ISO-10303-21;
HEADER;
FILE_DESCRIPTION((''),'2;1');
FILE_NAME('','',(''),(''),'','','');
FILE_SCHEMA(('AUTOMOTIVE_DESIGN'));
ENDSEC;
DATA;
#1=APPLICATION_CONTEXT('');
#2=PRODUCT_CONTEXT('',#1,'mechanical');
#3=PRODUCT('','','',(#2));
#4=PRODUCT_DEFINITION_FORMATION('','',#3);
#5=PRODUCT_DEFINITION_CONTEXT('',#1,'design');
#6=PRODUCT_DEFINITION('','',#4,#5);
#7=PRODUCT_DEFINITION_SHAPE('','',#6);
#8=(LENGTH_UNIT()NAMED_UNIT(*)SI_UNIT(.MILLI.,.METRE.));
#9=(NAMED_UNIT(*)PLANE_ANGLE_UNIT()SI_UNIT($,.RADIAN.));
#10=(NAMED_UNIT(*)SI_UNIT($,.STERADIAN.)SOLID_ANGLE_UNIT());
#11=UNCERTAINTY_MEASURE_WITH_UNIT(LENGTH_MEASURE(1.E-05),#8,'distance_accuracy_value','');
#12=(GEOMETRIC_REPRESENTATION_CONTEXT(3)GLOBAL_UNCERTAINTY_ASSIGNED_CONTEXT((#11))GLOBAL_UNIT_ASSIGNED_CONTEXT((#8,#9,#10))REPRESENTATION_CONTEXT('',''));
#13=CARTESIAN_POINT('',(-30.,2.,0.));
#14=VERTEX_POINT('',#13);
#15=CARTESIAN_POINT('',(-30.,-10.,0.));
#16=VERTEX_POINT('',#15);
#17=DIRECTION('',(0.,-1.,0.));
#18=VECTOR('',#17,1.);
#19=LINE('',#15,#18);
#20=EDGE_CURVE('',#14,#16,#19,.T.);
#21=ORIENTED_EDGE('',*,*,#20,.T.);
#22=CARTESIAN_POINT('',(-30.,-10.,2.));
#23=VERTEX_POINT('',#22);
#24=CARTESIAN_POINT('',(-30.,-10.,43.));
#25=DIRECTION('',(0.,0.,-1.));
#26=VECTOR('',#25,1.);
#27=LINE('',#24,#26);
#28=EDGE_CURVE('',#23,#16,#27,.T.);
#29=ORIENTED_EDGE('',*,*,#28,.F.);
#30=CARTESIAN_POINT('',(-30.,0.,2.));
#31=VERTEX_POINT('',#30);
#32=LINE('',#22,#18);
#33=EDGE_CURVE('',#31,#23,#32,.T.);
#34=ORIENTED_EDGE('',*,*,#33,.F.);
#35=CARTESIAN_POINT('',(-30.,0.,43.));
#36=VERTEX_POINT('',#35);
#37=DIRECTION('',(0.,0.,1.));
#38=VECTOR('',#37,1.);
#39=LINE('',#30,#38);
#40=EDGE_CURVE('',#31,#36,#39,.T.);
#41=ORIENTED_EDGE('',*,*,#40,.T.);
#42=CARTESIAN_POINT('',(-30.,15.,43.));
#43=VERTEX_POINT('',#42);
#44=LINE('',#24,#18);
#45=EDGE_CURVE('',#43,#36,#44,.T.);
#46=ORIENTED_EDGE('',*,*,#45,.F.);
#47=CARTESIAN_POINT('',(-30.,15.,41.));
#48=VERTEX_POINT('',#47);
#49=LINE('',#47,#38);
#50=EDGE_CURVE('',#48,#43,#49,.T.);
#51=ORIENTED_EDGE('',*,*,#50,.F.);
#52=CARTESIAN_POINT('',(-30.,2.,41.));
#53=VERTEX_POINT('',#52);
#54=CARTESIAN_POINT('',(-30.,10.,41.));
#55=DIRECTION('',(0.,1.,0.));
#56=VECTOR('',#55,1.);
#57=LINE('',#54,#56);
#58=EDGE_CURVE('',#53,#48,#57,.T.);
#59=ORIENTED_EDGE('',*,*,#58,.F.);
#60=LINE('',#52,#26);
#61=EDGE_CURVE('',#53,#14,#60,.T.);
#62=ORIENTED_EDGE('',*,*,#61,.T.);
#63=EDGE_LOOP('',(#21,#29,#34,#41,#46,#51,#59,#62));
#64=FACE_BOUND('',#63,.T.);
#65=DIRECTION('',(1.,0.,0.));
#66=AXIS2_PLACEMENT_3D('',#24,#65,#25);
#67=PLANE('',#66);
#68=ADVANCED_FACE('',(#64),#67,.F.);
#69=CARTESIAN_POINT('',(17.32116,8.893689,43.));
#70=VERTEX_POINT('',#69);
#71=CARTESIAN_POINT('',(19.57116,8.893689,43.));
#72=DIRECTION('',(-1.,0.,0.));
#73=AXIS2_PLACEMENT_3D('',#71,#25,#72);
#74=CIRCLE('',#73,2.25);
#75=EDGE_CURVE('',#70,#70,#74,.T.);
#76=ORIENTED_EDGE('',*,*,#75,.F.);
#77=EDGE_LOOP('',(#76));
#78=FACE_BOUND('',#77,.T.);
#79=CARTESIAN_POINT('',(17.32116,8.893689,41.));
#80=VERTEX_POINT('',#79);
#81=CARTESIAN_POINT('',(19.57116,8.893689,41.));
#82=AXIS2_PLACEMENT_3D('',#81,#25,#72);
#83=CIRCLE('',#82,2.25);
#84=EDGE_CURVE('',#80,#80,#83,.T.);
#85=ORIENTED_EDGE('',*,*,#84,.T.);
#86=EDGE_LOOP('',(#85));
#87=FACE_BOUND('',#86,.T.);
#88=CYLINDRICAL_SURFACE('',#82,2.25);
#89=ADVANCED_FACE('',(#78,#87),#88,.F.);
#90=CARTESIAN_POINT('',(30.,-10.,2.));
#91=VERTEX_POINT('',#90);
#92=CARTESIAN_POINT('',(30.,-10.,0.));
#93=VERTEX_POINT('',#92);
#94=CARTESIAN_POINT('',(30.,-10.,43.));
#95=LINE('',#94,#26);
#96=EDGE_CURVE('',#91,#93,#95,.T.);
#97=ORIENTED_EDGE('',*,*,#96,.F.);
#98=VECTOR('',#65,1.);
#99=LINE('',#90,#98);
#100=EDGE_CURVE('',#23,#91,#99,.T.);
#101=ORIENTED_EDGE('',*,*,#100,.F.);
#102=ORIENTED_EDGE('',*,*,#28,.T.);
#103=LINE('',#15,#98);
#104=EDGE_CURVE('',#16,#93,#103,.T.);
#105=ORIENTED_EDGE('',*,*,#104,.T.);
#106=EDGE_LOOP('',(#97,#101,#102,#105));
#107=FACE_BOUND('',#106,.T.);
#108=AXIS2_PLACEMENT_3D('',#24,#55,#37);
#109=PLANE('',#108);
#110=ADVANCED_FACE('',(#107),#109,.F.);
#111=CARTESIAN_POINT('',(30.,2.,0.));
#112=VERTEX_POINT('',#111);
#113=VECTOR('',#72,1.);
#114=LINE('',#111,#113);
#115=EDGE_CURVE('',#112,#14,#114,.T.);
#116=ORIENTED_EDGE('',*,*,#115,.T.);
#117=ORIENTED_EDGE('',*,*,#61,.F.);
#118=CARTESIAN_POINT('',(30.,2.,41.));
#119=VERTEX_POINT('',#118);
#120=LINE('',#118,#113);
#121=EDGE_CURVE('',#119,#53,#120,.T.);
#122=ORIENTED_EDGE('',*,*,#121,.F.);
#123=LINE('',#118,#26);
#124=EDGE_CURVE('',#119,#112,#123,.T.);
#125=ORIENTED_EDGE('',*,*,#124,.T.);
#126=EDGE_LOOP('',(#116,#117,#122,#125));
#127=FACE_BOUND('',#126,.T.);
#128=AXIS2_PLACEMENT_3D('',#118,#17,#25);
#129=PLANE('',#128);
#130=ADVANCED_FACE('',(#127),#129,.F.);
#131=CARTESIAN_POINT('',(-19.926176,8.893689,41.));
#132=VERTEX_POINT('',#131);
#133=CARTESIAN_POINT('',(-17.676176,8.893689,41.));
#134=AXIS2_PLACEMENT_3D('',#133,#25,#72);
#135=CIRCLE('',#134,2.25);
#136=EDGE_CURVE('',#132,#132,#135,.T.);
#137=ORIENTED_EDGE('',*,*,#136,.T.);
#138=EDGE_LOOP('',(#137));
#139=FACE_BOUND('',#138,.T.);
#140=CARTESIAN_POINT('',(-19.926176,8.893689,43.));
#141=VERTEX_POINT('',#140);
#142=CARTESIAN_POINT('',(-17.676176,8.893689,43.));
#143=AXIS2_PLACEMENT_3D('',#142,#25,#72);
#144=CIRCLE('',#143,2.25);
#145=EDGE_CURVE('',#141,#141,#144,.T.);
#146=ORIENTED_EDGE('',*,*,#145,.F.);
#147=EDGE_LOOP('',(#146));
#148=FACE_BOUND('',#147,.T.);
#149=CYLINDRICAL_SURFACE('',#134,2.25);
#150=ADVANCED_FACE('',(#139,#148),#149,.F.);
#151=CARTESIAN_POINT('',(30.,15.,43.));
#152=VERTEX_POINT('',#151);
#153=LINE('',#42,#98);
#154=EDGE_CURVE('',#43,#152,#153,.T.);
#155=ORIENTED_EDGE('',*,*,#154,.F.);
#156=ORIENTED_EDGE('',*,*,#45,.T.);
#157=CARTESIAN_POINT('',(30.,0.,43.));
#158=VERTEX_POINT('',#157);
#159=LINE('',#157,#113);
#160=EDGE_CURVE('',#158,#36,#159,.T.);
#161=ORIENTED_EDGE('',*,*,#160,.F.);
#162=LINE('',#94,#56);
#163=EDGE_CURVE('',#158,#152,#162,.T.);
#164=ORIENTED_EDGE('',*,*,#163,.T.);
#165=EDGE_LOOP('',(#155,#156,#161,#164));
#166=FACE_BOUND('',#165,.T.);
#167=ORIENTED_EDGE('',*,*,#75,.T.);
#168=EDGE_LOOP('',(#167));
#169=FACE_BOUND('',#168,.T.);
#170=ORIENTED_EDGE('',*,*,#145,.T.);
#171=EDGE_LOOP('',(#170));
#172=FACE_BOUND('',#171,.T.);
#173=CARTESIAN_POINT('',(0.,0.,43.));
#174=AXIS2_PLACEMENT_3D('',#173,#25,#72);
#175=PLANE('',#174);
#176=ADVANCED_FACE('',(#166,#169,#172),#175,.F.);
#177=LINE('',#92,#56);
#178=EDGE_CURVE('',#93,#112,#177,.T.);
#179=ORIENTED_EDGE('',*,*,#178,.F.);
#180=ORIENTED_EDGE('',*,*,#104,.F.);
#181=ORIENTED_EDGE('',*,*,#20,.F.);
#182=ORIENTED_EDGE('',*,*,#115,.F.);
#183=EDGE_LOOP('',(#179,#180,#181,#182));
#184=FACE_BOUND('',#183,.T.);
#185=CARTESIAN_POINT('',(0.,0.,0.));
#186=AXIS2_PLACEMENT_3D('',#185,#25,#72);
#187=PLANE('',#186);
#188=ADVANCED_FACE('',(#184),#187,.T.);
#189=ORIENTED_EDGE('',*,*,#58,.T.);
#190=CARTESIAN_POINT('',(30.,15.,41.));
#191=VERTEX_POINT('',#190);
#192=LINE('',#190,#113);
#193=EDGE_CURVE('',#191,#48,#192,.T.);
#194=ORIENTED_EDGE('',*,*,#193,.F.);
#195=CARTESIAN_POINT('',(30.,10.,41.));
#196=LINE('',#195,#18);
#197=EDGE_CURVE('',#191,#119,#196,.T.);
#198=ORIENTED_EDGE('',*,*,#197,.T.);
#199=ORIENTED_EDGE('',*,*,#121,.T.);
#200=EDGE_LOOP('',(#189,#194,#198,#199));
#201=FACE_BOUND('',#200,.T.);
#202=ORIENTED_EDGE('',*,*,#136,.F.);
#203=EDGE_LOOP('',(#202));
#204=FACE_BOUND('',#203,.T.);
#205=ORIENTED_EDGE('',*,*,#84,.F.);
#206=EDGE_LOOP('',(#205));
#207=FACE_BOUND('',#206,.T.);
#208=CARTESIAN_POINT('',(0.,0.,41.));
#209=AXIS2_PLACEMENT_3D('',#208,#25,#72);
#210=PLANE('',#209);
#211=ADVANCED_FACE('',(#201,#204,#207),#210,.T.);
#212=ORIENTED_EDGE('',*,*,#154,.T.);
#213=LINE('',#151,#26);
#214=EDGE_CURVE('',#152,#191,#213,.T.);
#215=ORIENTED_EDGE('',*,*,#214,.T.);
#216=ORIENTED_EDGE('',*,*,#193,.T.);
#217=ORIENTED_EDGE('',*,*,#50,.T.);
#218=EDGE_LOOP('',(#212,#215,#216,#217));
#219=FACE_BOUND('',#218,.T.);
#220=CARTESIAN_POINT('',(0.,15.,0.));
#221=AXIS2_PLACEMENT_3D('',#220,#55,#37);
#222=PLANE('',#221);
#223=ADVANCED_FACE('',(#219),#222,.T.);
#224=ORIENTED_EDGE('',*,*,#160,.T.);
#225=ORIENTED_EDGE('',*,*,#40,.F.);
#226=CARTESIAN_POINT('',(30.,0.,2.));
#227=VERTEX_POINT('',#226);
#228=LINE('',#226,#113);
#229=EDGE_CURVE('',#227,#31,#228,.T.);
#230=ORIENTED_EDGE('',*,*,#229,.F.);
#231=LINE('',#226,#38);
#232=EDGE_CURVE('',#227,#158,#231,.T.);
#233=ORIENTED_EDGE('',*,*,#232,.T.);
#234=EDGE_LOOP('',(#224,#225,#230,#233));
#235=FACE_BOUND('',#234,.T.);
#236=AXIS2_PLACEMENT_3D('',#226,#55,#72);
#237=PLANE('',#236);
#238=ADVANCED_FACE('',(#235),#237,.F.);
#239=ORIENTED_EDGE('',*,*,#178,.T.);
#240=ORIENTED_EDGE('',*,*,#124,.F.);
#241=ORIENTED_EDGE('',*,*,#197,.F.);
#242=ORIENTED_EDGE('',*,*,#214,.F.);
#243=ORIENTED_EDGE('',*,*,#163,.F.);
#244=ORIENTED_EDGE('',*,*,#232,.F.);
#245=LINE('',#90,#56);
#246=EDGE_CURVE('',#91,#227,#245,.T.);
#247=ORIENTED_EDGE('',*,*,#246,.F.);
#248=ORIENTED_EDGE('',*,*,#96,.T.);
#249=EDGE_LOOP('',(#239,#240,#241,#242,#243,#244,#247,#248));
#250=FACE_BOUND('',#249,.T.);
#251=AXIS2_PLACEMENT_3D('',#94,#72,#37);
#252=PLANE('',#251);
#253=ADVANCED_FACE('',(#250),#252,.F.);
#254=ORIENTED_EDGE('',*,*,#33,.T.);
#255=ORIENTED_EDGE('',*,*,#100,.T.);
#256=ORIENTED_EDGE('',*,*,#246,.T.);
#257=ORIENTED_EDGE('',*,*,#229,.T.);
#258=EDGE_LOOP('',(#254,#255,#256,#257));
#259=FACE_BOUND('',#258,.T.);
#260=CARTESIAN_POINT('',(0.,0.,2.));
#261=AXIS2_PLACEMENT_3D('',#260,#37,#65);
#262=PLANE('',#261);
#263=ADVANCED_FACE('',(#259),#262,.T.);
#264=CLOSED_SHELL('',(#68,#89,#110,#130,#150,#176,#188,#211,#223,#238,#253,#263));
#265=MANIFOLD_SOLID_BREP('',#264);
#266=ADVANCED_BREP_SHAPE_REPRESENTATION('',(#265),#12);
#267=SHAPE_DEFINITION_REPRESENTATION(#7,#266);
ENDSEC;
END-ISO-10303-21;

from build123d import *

# Parameters (mm, degrees)
SKETCH1_W            = 60
SKETCH1_H            = 20
BOSS_EXTRUDE1_DEPTH  = 43
SKETCH2_W            = 60
SKETCH2_H            = 8
CUT_EXTRUDE1_DEPTH   = 41
SKETCH3_W            = 60
SKETCH3_H            = 10
CUT_EXTRUDE2_DEPTH   = 41
SKETCH4_W            = 60
SKETCH4_H            = 2
BOSS_EXTRUDE2_DEPTH  = 5
M4_CLEARANCE_HOLE1_D = 4.5


with BuildPart() as part:
    # Sketch1 → Boss-Extrude1 (new body)
    with BuildSketch(Plane.XY):
        Rectangle(SKETCH1_W, SKETCH1_H)
    extrude(amount=BOSS_EXTRUDE1_DEPTH)

    # Sketch2 → Cut-Extrude1 (cut)
    with BuildSketch(Plane(origin=(0, 0, 0), x_dir=(-1, 0, 0), z_dir=(0, 0, -1))):
        with Locations((0, 6)):
            Rectangle(SKETCH2_W, SKETCH2_H)
    extrude(amount=-CUT_EXTRUDE1_DEPTH, mode=Mode.SUBTRACT)

    # Sketch3 → Cut-Extrude2 (cut)
    with BuildSketch(Plane.XY.offset(43)):
        with Locations((0, -5)):
            Rectangle(SKETCH3_W, SKETCH3_H)
    extrude(amount=-CUT_EXTRUDE2_DEPTH, mode=Mode.SUBTRACT)

    # Sketch4 → Boss-Extrude2 (add)
    with BuildSketch(Plane(origin=(0, 10, 0), x_dir=(1, 0, 0), z_dir=(0, 1, 0))):
        with Locations((0, -42)):
            Rectangle(SKETCH4_W, SKETCH4_H)
    extrude(amount=BOSS_EXTRUDE2_DEPTH)

    # M4 Clearance Hole1 (through all)
    with Locations(Plane(origin=(0, 0, 41), x_dir=(-1, 0, 0), z_dir=(0, 0, -1))):
        with Locations((-19.571160429, 8.893689212), (17.676175713, 8.893689212)):
            Hole(M4_CLEARANCE_HOLE1_D / 2)


solid = part.part
